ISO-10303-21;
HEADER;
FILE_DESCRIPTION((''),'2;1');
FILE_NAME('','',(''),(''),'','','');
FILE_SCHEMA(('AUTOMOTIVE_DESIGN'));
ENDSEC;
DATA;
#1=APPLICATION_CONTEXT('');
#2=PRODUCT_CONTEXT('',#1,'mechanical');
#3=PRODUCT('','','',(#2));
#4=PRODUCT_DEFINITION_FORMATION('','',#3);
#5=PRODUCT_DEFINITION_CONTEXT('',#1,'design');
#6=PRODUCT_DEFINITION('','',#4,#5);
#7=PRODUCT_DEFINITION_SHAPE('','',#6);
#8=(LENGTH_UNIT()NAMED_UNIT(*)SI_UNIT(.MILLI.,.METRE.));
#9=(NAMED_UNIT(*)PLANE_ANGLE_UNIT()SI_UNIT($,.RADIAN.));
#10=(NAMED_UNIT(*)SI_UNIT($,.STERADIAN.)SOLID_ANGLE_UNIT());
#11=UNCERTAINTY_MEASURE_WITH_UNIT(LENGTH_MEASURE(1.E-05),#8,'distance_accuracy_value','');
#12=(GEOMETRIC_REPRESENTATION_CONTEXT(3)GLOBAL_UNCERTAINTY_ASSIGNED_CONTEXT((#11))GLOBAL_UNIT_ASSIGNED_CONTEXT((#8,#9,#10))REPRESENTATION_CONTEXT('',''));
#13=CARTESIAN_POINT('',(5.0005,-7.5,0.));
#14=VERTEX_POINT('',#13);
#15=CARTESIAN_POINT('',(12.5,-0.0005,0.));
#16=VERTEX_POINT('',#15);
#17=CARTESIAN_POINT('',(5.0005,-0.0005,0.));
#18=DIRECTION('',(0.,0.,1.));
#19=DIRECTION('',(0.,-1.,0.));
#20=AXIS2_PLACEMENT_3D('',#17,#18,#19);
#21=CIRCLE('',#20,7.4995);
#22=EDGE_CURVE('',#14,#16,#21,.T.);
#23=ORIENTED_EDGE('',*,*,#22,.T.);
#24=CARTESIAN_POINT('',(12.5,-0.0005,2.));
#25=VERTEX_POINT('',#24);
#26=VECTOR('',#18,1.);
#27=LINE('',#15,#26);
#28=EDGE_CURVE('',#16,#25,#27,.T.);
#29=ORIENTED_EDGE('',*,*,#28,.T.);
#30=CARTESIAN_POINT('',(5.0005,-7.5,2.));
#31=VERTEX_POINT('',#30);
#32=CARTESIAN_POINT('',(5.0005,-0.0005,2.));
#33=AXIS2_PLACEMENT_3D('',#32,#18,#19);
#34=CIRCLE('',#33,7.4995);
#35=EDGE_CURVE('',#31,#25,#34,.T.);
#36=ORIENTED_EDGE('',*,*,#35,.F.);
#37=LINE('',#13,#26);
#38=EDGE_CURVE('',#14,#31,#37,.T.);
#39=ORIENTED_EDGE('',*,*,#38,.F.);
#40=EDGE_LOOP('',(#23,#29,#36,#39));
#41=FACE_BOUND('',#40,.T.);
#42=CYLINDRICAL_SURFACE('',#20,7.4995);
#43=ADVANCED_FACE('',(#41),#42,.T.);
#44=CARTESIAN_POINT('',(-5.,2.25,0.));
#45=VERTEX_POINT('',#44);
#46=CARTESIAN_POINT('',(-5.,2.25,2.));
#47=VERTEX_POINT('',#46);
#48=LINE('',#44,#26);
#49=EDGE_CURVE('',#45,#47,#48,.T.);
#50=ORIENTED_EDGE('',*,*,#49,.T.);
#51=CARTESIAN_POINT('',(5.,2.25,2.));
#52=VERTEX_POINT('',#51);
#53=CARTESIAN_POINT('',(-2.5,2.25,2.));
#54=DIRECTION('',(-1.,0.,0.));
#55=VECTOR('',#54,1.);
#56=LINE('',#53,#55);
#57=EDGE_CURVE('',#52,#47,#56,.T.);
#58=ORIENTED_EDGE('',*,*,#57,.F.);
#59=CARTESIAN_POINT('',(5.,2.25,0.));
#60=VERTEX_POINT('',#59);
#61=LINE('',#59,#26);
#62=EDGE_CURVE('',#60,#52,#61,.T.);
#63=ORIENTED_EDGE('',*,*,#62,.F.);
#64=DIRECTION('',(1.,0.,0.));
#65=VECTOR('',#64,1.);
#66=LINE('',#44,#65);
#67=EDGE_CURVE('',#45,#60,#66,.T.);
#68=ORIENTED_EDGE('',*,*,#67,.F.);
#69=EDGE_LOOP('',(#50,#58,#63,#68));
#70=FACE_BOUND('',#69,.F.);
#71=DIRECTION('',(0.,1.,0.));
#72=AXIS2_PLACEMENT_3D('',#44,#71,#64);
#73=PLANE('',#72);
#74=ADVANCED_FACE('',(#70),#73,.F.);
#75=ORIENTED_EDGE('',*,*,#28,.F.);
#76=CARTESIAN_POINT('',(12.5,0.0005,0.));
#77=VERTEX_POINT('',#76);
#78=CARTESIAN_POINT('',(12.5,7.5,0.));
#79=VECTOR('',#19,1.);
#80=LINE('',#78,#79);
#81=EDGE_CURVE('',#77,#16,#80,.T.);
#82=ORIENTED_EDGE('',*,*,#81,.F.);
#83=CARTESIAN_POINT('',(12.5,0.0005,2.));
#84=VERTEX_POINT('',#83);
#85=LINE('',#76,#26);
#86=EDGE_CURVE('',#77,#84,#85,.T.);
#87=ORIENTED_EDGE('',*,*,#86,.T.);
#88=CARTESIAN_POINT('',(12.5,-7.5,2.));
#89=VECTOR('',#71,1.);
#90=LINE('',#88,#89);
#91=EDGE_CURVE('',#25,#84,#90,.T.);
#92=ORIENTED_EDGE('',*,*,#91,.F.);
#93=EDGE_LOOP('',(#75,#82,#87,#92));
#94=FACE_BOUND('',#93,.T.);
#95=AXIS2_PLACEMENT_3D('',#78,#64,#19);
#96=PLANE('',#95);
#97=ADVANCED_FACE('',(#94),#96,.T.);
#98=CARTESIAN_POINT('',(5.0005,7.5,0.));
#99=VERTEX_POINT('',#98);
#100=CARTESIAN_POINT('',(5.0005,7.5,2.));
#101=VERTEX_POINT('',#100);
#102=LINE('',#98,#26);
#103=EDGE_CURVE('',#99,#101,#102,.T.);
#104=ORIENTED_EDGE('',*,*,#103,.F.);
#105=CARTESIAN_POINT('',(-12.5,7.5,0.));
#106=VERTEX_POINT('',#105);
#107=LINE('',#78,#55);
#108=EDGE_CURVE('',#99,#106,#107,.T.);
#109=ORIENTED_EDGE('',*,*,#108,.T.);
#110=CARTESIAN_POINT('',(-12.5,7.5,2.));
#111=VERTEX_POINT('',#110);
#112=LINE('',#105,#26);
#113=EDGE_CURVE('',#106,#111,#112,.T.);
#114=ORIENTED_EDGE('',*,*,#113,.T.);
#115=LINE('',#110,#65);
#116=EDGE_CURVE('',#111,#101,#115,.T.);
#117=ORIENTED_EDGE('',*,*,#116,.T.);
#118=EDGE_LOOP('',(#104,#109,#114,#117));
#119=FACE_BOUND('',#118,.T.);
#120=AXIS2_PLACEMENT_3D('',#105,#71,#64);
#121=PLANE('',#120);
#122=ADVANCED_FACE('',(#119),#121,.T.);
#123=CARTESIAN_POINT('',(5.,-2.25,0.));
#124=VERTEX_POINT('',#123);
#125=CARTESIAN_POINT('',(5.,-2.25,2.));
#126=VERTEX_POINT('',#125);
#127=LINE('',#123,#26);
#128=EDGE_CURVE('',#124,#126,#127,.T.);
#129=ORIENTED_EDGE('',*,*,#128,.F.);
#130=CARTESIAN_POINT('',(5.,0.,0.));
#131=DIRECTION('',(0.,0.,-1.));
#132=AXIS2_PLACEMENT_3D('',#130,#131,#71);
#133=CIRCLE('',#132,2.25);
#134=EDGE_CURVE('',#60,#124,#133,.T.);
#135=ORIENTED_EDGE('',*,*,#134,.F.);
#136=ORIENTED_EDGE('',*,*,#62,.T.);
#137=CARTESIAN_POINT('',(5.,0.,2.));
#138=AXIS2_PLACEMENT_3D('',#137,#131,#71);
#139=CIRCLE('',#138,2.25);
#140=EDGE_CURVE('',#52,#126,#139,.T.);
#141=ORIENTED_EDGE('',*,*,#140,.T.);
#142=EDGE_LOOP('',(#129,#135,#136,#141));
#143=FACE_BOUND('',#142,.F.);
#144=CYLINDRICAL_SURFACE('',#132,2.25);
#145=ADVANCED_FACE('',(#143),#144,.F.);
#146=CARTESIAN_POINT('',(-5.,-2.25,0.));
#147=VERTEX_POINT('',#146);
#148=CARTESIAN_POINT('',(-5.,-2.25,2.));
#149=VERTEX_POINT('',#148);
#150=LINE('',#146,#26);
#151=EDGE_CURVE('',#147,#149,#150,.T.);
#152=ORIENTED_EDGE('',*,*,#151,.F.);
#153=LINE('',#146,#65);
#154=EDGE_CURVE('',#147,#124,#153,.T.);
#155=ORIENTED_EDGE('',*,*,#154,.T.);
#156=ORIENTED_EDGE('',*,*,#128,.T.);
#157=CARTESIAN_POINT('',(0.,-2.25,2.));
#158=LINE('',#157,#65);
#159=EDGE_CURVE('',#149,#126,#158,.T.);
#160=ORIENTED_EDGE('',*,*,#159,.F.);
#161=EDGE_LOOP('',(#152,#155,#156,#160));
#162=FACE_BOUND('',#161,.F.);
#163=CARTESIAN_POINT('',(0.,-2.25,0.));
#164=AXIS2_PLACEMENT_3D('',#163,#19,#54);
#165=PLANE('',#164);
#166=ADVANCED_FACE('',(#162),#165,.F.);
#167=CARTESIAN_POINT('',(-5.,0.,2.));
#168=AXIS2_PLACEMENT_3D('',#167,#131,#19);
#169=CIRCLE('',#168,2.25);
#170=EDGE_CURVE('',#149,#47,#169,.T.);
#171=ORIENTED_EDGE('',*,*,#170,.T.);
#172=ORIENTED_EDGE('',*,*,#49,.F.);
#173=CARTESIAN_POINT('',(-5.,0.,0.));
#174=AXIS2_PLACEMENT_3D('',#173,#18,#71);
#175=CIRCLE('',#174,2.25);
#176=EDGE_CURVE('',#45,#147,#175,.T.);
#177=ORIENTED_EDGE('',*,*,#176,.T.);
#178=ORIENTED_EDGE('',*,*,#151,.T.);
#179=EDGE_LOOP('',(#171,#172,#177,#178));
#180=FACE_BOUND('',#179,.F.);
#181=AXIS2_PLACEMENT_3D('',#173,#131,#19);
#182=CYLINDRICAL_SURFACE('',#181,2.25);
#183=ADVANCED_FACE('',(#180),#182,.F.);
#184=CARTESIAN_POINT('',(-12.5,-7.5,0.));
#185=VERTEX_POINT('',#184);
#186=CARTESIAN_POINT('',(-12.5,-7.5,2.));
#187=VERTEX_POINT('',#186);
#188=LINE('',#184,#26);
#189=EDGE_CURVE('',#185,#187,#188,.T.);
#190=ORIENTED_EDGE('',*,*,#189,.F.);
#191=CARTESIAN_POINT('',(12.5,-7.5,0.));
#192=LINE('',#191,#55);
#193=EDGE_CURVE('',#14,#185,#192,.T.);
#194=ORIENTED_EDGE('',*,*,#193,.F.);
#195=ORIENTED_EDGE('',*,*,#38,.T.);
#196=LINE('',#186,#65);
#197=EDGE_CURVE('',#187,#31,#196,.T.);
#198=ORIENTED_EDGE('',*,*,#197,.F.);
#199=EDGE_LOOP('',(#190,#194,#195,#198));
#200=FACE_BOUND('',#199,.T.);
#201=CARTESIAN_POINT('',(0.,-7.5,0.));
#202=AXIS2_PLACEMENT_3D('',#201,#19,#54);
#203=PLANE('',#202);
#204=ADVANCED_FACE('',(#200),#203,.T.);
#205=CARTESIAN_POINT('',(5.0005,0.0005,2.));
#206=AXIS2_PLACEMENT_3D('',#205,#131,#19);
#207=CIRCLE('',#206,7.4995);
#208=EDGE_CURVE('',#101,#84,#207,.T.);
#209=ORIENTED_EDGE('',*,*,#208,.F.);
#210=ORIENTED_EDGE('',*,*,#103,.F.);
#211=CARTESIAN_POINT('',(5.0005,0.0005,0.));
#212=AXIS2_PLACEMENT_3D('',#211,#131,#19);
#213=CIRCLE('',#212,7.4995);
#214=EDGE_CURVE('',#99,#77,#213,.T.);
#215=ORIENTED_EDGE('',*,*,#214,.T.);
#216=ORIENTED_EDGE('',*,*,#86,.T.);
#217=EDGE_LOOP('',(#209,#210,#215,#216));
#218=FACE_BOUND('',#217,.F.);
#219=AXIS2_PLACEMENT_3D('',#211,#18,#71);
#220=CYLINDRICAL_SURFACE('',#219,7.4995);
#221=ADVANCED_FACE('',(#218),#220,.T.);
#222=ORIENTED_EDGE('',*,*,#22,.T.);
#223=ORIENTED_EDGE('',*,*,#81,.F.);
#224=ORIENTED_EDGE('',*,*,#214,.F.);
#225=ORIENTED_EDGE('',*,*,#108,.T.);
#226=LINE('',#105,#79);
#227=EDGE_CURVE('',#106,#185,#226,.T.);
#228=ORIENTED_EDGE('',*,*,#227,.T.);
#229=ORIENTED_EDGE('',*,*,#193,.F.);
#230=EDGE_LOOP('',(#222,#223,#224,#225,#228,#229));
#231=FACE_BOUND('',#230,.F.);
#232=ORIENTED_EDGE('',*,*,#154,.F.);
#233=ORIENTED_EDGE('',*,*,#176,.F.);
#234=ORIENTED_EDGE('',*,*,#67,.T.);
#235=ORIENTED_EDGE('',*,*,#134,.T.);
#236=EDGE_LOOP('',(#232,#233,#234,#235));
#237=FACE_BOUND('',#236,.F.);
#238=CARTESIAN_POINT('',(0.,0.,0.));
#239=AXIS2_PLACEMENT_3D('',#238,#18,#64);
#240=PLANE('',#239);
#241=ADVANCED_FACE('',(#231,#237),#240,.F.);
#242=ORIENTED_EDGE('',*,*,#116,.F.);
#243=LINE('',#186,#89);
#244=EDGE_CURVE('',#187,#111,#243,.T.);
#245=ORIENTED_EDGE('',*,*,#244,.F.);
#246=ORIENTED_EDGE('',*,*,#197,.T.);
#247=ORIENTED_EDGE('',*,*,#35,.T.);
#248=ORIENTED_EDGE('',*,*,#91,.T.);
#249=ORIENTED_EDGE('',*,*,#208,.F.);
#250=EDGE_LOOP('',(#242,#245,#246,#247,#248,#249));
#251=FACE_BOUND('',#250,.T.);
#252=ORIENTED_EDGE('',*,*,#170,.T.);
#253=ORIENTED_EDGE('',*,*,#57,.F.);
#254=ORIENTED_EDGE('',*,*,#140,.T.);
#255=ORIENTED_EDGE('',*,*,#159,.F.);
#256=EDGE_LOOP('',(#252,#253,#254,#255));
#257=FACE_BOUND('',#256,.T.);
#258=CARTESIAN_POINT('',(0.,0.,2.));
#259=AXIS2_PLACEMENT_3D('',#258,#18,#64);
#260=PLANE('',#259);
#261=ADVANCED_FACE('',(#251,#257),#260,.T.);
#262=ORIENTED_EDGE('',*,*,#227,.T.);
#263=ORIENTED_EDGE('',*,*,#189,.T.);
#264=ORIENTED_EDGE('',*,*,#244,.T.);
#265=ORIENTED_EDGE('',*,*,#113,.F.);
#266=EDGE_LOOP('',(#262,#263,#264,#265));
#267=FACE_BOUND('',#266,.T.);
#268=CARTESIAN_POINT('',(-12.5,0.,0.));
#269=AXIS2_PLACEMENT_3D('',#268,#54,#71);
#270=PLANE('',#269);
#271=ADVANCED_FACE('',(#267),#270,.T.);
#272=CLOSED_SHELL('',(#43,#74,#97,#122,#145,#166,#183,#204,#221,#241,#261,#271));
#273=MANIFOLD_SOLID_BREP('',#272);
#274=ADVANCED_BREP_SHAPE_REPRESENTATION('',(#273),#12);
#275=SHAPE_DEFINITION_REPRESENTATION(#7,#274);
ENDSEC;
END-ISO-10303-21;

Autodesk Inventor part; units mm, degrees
ref_plane "YZ Plane" through (0, 0, 0) normal (1, 0, 0) x (0, 1, 0)
ref_plane "XZ Plane" through (0, 0, 0) normal (0, 1, 0) x (-1, 0, 0)
ref_plane "XY Plane" through (0, 0, 0) normal (0, 0, 1) x (1, 0, 0)
sketch "Skizze1" plane through (0, 0, 0) normal (0, 0, 1) x (1, 0, 0)
  line L0 (-17.5, 0) -> (17.5, 0) projected
  line L1 (0, -10.5) -> (0, 10.5) projected
  line L2 (12.5, -7.5) -> (-12.5, -7.5)
  line L3 (-12.5, -7.5) -> (-12.5, 7.5)
  line L4 (-12.5, 7.5) -> (12.5, 7.5)
  line L5 (12.5, 7.5) -> (12.5, -7.5)
  line L6 (12.5, -7.5) -> (-12.5, 7.5) construction
  line L7 (-12.5, -7.5) -> (12.5, 7.5) construction
  point P0 (0, 0)
  dimension "d0" = 15
  dimension "d1" = 25
extrude "Extrusion1" add sketch "Skizze1" along normal blind 2
fillet "Rundung1" radius 7.5 2 edges at (12.5, -7.5, 1) (12.5, 7.5, 1)
sketch "Skizze2" plane through (0, 0, 0) normal (0, 0, -1) x (-1, 0, 0)
  line L0 (17.5, 0) -> (-17.5, 0) projected
  line L1 (0, -10.5) -> (0, 10.5) projected
  line L2 (5, 0) -> (-5, 0) construction
  line L3 (5, 2.25) -> (-5, 2.25)
  line L4 (-5, -2.25) -> (5, -2.25)
  arc A0 (5, -2.25) -> (5, 2.25) centre (5, 0) ccw
  arc A1 (-5, 2.25) -> (-5, -2.25) centre (-5, 0) ccw
  point P0 (0, 0)
  dimension "d5" = 4.5
  dimension "d6" = 10
extrude "Extrusion2" cut sketch "Skizze2" against normal through all
properties part number "24_0497_0019"
